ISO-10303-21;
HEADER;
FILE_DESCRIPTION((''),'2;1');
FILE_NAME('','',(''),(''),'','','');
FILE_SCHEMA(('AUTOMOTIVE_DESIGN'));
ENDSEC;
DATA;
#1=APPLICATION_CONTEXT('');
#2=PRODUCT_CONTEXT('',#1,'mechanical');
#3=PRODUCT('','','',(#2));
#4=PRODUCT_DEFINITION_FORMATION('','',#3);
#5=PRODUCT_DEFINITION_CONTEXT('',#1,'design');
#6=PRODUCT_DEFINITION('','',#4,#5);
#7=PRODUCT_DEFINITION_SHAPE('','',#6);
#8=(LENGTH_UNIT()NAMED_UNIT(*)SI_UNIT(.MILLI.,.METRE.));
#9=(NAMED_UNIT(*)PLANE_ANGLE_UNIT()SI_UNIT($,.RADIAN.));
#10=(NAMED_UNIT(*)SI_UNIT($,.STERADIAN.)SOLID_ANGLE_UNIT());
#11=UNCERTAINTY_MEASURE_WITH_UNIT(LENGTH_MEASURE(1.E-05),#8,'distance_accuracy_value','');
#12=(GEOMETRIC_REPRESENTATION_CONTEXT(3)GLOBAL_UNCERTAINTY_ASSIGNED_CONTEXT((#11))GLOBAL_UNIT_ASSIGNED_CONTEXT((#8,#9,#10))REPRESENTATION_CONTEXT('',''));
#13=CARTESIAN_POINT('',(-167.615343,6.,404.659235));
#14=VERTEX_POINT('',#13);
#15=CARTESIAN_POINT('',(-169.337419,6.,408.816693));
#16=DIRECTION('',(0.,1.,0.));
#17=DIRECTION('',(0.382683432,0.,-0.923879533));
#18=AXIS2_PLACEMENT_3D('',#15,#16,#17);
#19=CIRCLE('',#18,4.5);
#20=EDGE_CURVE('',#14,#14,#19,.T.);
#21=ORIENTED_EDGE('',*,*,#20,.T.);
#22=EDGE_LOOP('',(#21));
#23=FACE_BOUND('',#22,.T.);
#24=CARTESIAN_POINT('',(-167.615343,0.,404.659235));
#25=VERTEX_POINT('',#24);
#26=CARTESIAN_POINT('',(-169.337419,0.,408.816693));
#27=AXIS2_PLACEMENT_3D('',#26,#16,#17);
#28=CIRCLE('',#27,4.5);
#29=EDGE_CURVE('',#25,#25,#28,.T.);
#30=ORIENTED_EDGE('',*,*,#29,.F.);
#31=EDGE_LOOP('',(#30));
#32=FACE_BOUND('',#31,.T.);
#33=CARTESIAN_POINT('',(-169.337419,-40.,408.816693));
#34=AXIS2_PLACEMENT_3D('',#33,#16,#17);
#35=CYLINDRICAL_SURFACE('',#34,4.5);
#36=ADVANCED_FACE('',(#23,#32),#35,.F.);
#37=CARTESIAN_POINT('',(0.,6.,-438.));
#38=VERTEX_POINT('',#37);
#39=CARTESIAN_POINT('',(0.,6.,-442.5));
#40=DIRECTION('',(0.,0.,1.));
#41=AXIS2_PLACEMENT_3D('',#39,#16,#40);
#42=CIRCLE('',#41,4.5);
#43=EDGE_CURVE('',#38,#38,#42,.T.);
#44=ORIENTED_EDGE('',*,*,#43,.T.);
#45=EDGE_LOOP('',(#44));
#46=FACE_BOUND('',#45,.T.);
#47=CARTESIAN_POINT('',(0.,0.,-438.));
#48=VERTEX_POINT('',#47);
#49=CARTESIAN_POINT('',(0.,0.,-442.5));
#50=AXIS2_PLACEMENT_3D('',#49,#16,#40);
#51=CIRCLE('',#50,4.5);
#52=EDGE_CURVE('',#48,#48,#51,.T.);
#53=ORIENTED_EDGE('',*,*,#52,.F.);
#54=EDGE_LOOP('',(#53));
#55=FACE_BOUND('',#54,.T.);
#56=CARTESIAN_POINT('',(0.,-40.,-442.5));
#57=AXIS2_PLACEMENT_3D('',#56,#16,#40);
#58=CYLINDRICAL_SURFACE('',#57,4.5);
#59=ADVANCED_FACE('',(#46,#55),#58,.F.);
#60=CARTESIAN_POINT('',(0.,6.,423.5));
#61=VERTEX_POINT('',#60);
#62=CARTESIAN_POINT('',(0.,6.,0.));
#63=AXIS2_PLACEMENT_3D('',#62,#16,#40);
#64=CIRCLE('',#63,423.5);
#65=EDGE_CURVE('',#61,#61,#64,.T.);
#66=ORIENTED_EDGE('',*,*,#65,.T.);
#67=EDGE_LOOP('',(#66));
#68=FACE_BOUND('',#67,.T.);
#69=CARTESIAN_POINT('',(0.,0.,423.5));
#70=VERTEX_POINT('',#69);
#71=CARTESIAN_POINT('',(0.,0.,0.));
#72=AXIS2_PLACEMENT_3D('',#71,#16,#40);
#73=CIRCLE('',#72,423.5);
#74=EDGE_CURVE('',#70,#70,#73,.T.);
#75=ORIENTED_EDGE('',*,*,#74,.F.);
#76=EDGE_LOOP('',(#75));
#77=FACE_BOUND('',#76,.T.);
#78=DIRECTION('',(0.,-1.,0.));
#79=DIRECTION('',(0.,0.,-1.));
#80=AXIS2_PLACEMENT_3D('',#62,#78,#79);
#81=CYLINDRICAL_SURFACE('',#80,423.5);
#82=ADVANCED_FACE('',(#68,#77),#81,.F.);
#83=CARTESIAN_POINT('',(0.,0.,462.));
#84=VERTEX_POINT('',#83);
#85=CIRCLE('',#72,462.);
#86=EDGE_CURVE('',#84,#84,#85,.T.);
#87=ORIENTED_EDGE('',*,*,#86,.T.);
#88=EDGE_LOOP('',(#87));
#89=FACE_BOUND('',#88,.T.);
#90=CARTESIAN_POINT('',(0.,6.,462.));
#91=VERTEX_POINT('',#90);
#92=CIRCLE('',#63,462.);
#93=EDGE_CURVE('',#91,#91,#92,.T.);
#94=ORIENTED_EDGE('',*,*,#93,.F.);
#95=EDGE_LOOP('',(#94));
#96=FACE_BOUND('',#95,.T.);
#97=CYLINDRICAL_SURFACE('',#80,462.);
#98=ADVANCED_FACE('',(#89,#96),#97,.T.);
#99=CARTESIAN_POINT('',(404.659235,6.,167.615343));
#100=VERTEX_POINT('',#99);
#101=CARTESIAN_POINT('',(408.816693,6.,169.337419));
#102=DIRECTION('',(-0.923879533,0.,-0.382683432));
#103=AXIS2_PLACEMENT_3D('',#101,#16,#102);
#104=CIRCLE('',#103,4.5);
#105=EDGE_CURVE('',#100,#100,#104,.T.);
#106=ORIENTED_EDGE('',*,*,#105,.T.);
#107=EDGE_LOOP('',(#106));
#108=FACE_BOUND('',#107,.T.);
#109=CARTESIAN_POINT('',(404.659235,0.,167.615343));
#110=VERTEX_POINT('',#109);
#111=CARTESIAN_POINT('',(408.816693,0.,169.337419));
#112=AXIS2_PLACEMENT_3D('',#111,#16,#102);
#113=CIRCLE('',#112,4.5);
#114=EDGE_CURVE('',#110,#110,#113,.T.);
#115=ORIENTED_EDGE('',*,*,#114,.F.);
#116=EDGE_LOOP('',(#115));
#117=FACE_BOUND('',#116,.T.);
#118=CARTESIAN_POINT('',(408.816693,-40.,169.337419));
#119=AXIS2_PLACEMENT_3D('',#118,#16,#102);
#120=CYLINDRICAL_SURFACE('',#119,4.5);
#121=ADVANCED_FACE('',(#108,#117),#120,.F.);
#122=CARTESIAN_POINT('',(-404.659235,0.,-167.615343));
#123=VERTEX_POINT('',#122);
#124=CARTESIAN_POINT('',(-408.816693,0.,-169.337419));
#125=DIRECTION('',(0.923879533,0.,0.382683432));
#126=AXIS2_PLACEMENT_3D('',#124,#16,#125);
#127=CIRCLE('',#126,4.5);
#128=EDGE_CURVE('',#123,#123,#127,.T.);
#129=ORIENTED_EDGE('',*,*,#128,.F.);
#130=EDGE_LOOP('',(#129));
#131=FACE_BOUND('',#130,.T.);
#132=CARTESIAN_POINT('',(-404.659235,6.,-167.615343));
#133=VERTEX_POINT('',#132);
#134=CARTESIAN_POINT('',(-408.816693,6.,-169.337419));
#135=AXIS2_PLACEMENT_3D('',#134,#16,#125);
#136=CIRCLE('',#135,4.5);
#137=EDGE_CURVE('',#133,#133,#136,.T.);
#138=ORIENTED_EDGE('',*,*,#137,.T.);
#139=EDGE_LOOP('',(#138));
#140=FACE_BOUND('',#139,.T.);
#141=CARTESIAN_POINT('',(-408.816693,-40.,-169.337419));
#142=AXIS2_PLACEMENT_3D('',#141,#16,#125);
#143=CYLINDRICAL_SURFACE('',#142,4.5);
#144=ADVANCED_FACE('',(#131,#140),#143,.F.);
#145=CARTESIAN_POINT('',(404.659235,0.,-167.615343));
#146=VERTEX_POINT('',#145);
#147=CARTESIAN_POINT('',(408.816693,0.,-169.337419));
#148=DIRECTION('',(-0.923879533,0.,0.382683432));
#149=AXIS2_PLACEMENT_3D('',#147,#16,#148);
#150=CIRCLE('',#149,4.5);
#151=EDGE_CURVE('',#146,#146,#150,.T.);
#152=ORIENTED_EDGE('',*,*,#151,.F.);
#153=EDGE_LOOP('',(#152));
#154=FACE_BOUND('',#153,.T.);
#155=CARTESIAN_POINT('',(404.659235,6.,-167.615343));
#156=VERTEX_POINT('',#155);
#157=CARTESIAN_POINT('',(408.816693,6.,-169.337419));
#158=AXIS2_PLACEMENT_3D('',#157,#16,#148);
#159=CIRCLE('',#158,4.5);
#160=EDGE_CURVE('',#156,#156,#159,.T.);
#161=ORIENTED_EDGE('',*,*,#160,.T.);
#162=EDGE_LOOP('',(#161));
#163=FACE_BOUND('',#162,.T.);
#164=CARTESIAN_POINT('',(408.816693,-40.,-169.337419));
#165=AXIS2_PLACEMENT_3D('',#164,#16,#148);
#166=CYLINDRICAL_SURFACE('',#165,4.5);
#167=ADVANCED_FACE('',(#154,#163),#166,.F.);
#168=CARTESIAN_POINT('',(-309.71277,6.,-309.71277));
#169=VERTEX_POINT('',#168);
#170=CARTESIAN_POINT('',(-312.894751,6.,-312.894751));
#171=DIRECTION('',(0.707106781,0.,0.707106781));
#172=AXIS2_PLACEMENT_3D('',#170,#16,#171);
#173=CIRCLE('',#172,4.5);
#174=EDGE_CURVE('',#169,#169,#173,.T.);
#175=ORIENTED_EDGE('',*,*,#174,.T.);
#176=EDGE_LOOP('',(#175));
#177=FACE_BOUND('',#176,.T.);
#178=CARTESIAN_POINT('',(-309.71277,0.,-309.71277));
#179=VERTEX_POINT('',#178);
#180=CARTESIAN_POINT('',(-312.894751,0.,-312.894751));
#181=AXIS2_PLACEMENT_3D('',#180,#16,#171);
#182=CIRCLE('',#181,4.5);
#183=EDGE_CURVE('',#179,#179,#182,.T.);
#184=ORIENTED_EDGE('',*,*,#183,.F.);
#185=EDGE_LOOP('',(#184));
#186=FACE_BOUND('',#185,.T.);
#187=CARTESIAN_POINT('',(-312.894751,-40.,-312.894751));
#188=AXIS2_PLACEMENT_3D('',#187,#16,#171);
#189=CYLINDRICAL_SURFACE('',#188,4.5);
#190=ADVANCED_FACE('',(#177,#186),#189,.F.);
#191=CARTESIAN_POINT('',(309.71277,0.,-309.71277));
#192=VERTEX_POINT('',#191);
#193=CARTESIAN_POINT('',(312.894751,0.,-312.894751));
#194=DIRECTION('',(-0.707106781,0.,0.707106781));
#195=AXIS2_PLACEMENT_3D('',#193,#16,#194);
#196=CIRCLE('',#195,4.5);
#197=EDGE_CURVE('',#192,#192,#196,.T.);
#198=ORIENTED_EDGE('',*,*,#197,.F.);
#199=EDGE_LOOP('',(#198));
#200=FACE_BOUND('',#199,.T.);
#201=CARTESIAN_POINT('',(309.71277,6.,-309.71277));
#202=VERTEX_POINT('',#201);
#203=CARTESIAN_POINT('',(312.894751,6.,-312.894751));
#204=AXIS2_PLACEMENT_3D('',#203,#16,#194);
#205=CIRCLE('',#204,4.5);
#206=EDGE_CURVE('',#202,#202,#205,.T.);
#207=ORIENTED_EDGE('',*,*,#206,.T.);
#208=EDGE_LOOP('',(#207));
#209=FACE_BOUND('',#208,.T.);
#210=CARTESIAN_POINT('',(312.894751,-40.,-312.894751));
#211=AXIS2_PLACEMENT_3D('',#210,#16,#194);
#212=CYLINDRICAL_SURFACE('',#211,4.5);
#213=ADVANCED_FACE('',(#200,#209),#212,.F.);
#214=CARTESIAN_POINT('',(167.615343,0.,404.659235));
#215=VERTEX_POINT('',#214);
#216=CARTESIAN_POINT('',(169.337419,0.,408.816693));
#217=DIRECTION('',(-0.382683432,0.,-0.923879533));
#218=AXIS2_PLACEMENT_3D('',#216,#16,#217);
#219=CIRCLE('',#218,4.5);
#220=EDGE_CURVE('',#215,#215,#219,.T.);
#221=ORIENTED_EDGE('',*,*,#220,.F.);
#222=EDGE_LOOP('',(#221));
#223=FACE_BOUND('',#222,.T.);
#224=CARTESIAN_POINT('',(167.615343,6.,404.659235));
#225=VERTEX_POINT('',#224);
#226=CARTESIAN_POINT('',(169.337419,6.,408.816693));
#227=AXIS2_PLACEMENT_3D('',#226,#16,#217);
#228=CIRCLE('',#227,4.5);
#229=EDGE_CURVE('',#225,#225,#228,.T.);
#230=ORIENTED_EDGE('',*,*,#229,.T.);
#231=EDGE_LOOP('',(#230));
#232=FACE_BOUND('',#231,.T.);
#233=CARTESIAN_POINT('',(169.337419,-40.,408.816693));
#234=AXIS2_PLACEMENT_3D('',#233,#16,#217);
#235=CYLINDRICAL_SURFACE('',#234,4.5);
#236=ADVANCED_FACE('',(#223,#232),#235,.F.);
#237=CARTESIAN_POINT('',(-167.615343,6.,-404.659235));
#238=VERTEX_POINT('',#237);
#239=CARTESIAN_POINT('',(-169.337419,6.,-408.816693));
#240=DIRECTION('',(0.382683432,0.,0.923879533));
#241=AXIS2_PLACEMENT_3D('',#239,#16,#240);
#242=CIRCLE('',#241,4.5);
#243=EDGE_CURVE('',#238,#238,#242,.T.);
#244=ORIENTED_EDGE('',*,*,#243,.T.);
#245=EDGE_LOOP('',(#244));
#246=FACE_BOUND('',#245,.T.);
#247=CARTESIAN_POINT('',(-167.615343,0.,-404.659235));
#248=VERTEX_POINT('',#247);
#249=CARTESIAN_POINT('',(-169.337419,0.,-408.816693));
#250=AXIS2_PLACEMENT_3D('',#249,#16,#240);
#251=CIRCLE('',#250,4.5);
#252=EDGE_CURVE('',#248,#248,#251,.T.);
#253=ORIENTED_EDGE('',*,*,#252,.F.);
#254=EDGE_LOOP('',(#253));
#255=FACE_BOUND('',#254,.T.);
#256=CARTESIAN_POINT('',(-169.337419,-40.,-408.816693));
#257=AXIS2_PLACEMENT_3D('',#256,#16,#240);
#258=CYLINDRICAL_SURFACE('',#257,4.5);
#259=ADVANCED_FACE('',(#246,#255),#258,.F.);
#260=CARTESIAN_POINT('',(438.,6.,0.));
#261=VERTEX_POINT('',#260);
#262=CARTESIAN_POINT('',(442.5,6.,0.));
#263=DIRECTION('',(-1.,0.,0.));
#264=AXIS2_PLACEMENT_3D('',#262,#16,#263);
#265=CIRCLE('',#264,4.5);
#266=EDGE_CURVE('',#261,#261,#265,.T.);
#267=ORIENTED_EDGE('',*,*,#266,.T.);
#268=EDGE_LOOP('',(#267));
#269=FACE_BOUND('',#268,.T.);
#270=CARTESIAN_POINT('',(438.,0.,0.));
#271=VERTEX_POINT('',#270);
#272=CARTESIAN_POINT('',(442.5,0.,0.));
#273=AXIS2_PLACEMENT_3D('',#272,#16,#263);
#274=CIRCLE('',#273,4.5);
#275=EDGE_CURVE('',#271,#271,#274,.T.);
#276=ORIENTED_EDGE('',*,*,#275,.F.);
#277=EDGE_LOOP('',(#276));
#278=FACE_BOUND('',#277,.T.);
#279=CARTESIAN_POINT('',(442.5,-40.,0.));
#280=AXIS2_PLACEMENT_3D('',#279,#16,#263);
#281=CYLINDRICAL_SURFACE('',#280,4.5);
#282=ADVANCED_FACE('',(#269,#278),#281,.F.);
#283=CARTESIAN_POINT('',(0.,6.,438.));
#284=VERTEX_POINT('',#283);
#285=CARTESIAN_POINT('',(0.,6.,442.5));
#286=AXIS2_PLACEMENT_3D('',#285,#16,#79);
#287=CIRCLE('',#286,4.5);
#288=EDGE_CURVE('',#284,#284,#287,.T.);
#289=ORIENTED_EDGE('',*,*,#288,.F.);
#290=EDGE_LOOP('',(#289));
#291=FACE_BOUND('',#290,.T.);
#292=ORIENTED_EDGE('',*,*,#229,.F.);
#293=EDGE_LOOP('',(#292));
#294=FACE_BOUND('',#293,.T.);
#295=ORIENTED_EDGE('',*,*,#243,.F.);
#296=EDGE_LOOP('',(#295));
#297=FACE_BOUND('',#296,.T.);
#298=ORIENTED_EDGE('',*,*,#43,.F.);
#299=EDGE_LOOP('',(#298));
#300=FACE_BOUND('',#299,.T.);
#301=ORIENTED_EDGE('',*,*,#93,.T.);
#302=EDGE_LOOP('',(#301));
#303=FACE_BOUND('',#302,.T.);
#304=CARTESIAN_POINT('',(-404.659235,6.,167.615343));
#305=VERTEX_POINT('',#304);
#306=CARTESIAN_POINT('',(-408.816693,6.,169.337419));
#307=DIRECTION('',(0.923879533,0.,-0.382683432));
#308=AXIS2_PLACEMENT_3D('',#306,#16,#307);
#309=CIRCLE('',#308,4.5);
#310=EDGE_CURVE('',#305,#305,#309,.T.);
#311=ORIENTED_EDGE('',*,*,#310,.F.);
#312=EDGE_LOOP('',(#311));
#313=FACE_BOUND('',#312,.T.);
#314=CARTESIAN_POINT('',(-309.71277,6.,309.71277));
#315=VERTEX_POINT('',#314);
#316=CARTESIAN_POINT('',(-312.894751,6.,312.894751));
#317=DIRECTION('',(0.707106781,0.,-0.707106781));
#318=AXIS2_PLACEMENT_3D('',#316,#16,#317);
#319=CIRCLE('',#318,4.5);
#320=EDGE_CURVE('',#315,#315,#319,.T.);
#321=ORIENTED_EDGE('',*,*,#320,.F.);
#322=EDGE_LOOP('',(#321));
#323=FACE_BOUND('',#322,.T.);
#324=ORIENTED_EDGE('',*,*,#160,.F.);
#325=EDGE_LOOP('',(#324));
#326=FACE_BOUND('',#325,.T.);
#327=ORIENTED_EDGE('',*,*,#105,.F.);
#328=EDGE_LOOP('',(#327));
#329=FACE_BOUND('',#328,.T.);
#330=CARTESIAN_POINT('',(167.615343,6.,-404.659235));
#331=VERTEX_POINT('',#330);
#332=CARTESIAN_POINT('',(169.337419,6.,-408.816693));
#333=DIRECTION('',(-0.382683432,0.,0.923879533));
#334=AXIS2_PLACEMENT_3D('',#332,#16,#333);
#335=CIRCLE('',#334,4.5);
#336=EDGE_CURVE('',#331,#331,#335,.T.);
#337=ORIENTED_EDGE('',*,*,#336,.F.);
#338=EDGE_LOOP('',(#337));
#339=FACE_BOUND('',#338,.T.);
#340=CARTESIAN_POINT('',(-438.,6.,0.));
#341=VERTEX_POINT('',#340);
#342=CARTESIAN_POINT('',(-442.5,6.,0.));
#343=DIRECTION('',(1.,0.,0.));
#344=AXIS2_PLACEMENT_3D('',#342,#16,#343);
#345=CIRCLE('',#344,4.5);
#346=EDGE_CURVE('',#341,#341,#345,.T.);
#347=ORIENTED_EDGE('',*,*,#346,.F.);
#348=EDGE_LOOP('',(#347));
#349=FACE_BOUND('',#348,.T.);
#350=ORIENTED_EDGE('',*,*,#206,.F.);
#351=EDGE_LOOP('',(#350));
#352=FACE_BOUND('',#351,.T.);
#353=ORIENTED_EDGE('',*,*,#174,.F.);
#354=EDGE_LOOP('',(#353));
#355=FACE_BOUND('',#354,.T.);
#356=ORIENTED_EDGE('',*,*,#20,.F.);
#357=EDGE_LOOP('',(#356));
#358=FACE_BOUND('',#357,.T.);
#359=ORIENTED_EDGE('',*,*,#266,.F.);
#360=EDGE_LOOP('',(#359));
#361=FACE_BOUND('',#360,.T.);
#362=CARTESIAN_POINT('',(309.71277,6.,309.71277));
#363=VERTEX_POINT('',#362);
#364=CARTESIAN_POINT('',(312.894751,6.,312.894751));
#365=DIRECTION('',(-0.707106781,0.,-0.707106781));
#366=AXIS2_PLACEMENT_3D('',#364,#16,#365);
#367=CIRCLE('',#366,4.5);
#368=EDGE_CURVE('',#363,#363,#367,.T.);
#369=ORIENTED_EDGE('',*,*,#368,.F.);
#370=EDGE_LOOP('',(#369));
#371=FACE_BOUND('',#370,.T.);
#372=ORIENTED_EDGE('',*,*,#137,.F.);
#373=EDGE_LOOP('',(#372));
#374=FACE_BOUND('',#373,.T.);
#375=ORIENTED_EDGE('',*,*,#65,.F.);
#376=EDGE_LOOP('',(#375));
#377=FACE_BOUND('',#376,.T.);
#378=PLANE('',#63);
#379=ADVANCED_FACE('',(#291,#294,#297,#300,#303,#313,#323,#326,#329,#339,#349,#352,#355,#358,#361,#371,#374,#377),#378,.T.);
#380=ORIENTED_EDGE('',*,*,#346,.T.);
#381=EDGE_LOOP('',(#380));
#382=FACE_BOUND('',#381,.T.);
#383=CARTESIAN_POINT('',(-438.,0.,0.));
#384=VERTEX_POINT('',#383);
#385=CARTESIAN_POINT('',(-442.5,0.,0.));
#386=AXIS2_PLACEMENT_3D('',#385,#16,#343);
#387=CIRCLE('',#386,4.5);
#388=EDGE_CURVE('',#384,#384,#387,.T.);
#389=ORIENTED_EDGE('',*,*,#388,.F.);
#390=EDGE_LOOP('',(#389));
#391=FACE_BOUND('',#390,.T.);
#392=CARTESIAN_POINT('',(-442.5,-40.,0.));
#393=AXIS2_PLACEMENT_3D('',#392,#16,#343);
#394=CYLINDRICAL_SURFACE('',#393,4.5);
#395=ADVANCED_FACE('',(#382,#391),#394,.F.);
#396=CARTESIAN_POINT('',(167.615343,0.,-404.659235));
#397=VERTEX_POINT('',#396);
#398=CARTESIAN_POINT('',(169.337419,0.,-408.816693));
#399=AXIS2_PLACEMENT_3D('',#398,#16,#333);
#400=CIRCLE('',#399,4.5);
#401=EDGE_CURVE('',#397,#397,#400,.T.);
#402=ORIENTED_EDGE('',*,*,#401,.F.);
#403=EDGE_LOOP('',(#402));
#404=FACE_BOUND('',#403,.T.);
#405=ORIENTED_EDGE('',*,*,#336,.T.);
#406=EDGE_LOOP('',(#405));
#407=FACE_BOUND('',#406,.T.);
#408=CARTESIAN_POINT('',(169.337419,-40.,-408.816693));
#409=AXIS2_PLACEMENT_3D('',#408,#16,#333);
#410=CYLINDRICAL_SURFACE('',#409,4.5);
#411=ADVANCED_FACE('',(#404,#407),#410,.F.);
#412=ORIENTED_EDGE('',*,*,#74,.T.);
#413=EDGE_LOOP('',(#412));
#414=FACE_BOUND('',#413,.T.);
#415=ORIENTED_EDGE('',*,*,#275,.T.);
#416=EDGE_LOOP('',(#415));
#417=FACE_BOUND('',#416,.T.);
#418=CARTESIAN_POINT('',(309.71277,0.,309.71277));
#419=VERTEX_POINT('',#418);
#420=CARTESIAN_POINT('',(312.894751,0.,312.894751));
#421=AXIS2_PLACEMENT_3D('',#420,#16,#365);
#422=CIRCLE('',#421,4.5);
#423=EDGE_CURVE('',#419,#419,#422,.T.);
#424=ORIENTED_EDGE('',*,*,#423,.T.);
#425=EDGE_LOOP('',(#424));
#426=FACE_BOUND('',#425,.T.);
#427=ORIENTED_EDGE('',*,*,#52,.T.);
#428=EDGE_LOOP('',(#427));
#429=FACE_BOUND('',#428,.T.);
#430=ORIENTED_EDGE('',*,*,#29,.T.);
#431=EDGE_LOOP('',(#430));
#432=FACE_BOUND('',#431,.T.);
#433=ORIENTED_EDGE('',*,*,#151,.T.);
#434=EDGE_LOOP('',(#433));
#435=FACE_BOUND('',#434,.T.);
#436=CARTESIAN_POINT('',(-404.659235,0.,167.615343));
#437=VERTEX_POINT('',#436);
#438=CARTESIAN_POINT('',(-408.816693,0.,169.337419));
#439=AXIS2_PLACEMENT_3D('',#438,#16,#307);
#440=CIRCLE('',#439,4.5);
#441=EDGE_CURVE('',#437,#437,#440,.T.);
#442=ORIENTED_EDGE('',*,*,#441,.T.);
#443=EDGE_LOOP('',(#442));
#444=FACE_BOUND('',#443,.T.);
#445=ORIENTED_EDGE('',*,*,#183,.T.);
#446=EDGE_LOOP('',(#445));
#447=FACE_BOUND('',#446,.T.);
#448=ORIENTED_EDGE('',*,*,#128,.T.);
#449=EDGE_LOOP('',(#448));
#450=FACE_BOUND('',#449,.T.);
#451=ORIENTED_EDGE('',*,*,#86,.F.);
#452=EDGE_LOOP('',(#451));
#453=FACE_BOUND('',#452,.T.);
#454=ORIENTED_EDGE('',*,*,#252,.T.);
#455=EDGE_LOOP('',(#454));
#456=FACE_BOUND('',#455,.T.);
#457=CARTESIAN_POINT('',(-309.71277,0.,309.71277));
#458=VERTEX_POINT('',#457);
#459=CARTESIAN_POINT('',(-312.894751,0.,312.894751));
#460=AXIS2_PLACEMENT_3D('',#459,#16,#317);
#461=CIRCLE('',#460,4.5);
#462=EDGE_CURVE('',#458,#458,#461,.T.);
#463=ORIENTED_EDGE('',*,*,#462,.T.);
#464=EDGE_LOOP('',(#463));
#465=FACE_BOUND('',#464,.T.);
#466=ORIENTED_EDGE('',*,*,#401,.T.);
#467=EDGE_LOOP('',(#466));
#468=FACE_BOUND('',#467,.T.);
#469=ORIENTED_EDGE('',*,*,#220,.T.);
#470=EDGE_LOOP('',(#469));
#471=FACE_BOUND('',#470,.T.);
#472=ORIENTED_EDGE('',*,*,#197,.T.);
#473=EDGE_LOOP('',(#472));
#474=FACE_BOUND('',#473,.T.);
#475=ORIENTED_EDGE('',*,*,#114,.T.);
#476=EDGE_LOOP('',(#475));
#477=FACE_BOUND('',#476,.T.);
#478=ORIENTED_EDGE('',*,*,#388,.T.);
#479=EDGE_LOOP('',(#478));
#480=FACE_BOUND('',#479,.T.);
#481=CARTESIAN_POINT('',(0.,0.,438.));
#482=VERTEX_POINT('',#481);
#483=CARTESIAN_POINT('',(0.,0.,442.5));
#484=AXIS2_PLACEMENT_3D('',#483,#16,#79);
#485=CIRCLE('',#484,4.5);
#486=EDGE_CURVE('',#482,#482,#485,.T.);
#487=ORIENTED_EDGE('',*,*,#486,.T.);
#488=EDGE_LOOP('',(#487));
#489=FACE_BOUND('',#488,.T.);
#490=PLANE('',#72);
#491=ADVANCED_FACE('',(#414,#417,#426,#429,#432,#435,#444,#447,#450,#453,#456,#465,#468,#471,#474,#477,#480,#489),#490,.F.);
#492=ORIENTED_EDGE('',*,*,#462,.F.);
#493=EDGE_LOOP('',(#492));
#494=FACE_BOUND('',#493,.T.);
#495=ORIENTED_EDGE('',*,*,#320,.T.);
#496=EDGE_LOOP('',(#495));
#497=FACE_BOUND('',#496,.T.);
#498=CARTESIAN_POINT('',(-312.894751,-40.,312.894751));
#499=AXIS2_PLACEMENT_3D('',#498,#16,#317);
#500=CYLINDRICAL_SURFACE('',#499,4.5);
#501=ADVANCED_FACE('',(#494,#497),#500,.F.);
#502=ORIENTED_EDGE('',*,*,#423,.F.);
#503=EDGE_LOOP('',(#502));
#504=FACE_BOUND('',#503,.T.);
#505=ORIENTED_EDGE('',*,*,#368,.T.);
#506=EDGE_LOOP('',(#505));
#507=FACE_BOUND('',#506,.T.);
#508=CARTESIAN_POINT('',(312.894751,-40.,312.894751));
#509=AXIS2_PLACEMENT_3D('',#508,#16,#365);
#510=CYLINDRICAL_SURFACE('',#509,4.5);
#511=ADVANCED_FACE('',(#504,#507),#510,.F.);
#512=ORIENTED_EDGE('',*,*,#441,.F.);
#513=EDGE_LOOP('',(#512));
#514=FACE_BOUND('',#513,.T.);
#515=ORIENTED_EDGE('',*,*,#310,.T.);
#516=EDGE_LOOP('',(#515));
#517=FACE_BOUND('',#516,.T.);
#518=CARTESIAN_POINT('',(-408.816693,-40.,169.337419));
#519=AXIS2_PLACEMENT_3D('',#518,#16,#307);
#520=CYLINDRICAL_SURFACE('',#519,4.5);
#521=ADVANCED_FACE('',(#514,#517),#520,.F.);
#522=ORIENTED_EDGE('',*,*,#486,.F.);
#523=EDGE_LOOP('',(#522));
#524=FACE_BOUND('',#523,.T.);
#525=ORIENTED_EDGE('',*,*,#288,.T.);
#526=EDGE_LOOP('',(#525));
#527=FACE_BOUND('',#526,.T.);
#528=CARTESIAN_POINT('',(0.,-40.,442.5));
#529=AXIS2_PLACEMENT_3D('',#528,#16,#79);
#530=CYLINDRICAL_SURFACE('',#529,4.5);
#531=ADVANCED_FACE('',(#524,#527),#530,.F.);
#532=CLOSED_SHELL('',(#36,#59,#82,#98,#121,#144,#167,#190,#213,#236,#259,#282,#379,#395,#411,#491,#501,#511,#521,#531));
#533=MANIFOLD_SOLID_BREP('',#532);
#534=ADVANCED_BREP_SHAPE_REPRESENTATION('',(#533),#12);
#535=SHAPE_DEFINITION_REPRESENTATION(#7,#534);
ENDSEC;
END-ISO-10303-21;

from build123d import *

# Parameters (mm, degrees)
SKETCH2_R           = 462
SKETCH2_R_2         = 423.5
BOSS_EXTRUDE1_DEPTH = 6
SKETCH3_R           = 4.5
CUT_EXTRUDE1_DEPTH  = 46
CIRPATTERN1_COUNT   = 16


with BuildPart() as part:
    # Sketch2 → Boss-Extrude1 (new body)
    with BuildSketch(Plane(origin=(0, 0, 0), x_dir=(1, 0, 0), z_dir=(0, 1, 0))):
        with Locations(Location((0, 0, 0), (0, 0, 270))):
            Circle(SKETCH2_R)
        with Locations(Location((0, 0, 0), (0, 0, 270))):
            Circle(SKETCH2_R_2, mode=Mode.SUBTRACT)
    extrude(amount=BOSS_EXTRUDE1_DEPTH)

    # Sketch3 → Cut-Extrude1 (cut)
    with BuildSketch(Plane(origin=(0, 6, 0), x_dir=(1, 0, 0), z_dir=(0, 1, 0))):
        with Locations(Location((0, 442.5, 0), (0, 0, 270))):
            Circle(SKETCH3_R)
    cut_extrude1 = extrude(amount=-CUT_EXTRUDE1_DEPTH, mode=Mode.SUBTRACT)

    # CirPattern1: Cut-Extrude1 ×16 about axis
    cirpattern1_axis = Axis((0, 0, 0), (0, 1, 0))
    for i in range(1, CIRPATTERN1_COUNT):
        add(cut_extrude1.rotate(cirpattern1_axis, i * 360 / CIRPATTERN1_COUNT), mode=Mode.SUBTRACT)


solid = part.part
